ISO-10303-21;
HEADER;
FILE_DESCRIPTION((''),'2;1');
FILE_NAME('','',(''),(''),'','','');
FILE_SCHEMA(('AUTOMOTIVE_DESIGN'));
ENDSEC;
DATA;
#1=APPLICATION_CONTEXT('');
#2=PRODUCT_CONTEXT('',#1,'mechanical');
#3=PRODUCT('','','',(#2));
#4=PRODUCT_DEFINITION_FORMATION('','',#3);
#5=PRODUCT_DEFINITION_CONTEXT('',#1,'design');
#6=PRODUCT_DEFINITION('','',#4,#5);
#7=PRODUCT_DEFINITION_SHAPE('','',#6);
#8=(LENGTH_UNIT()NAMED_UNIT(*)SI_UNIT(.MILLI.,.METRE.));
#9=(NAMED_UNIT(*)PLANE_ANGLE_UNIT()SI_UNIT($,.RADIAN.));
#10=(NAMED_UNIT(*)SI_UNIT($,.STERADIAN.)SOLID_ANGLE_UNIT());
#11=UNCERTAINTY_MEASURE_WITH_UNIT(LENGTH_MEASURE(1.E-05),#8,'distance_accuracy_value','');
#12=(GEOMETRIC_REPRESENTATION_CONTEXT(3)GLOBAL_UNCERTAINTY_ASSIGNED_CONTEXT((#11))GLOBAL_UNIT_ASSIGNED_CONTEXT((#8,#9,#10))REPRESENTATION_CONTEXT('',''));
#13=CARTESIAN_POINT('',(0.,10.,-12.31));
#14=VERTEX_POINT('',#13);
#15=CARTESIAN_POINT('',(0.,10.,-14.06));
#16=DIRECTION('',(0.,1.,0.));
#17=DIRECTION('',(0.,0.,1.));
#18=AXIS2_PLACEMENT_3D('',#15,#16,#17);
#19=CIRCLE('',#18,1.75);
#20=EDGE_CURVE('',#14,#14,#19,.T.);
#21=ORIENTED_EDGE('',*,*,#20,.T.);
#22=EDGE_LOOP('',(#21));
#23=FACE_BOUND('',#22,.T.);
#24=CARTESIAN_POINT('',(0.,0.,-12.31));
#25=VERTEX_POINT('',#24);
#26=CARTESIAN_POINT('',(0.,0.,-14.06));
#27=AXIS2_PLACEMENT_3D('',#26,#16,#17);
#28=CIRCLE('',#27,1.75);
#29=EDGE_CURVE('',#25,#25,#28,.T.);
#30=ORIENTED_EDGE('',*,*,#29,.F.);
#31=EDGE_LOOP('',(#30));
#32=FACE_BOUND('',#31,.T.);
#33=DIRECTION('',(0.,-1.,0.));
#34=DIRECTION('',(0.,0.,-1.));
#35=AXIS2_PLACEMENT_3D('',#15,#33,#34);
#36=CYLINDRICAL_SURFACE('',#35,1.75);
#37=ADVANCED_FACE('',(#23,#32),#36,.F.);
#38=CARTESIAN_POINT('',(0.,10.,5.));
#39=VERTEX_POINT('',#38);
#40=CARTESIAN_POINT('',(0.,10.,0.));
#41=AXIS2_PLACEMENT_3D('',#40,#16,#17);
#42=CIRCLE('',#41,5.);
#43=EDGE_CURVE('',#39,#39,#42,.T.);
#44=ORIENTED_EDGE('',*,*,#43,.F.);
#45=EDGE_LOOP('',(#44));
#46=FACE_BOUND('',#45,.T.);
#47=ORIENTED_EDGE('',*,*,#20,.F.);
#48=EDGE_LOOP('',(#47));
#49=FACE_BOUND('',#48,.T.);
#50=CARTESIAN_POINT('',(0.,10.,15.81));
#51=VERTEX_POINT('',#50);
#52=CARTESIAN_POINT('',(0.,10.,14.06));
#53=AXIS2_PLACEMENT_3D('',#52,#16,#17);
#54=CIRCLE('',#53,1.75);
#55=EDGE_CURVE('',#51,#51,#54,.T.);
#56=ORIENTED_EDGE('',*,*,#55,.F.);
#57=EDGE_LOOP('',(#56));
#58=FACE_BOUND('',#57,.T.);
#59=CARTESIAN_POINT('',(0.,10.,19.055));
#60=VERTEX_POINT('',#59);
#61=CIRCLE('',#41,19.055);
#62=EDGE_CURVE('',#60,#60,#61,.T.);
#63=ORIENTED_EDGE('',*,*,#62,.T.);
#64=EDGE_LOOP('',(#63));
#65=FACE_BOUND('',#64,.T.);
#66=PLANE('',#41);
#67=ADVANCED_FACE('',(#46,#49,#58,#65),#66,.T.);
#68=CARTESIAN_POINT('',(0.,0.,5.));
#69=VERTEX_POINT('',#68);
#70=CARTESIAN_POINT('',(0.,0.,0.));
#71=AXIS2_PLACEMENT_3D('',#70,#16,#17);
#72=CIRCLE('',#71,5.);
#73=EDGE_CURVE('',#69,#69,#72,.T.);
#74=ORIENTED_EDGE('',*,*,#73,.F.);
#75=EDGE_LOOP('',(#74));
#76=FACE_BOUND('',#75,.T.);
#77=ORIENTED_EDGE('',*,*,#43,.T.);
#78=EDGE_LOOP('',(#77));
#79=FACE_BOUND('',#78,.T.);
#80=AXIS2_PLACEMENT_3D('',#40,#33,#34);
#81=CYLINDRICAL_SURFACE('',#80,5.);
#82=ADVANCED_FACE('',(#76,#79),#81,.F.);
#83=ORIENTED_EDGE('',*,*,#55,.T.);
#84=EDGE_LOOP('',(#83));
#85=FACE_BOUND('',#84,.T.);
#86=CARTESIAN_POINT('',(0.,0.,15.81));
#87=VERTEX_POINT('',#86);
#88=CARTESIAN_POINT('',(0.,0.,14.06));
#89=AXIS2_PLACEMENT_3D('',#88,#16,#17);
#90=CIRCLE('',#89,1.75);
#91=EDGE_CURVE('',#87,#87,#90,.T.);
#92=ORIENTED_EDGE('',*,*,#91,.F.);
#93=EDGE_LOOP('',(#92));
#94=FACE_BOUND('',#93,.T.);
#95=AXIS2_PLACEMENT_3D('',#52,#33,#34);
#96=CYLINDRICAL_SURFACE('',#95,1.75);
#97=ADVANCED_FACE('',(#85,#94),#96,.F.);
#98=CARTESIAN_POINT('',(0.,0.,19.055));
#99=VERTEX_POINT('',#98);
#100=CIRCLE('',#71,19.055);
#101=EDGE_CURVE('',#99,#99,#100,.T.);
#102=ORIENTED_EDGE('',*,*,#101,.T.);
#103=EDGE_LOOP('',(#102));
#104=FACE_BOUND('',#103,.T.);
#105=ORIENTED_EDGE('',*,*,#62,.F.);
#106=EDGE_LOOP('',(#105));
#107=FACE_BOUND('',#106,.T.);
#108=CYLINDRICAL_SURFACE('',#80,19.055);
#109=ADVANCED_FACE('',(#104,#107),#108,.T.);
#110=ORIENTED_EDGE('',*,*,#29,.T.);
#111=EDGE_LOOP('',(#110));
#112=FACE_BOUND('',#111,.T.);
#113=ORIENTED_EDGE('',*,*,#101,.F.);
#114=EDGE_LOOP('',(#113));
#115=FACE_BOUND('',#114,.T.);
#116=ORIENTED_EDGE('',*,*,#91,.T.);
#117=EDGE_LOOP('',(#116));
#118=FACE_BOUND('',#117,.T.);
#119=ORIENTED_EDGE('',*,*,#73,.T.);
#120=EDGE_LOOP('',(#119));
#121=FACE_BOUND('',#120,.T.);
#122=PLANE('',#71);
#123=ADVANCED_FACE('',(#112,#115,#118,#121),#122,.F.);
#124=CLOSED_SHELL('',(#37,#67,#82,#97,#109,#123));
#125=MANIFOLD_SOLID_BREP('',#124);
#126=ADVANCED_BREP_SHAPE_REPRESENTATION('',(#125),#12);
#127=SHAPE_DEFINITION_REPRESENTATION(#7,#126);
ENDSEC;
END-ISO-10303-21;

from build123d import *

# Parameters (mm, degrees)
SKETCH1_R           = 19.055
SKETCH1_R_2         = 5
SKETCH1_R_3         = 1.75
BOSS_EXTRUDE1_DEPTH = 10


with BuildPart() as part:
    # Sketch1 → Boss-Extrude1 (new body)
    with BuildSketch(Plane(origin=(0, 0, 0), x_dir=(1, 0, 0), z_dir=(0, 1, 0))):
        Circle(SKETCH1_R)
        Circle(SKETCH1_R_2, mode=Mode.SUBTRACT)
        with Locations((0, -14.06)):
            Circle(SKETCH1_R_3, mode=Mode.SUBTRACT)
        with Locations((0, 14.06)):
            Circle(SKETCH1_R_3, mode=Mode.SUBTRACT)
    extrude(amount=BOSS_EXTRUDE1_DEPTH)


solid = part.part
